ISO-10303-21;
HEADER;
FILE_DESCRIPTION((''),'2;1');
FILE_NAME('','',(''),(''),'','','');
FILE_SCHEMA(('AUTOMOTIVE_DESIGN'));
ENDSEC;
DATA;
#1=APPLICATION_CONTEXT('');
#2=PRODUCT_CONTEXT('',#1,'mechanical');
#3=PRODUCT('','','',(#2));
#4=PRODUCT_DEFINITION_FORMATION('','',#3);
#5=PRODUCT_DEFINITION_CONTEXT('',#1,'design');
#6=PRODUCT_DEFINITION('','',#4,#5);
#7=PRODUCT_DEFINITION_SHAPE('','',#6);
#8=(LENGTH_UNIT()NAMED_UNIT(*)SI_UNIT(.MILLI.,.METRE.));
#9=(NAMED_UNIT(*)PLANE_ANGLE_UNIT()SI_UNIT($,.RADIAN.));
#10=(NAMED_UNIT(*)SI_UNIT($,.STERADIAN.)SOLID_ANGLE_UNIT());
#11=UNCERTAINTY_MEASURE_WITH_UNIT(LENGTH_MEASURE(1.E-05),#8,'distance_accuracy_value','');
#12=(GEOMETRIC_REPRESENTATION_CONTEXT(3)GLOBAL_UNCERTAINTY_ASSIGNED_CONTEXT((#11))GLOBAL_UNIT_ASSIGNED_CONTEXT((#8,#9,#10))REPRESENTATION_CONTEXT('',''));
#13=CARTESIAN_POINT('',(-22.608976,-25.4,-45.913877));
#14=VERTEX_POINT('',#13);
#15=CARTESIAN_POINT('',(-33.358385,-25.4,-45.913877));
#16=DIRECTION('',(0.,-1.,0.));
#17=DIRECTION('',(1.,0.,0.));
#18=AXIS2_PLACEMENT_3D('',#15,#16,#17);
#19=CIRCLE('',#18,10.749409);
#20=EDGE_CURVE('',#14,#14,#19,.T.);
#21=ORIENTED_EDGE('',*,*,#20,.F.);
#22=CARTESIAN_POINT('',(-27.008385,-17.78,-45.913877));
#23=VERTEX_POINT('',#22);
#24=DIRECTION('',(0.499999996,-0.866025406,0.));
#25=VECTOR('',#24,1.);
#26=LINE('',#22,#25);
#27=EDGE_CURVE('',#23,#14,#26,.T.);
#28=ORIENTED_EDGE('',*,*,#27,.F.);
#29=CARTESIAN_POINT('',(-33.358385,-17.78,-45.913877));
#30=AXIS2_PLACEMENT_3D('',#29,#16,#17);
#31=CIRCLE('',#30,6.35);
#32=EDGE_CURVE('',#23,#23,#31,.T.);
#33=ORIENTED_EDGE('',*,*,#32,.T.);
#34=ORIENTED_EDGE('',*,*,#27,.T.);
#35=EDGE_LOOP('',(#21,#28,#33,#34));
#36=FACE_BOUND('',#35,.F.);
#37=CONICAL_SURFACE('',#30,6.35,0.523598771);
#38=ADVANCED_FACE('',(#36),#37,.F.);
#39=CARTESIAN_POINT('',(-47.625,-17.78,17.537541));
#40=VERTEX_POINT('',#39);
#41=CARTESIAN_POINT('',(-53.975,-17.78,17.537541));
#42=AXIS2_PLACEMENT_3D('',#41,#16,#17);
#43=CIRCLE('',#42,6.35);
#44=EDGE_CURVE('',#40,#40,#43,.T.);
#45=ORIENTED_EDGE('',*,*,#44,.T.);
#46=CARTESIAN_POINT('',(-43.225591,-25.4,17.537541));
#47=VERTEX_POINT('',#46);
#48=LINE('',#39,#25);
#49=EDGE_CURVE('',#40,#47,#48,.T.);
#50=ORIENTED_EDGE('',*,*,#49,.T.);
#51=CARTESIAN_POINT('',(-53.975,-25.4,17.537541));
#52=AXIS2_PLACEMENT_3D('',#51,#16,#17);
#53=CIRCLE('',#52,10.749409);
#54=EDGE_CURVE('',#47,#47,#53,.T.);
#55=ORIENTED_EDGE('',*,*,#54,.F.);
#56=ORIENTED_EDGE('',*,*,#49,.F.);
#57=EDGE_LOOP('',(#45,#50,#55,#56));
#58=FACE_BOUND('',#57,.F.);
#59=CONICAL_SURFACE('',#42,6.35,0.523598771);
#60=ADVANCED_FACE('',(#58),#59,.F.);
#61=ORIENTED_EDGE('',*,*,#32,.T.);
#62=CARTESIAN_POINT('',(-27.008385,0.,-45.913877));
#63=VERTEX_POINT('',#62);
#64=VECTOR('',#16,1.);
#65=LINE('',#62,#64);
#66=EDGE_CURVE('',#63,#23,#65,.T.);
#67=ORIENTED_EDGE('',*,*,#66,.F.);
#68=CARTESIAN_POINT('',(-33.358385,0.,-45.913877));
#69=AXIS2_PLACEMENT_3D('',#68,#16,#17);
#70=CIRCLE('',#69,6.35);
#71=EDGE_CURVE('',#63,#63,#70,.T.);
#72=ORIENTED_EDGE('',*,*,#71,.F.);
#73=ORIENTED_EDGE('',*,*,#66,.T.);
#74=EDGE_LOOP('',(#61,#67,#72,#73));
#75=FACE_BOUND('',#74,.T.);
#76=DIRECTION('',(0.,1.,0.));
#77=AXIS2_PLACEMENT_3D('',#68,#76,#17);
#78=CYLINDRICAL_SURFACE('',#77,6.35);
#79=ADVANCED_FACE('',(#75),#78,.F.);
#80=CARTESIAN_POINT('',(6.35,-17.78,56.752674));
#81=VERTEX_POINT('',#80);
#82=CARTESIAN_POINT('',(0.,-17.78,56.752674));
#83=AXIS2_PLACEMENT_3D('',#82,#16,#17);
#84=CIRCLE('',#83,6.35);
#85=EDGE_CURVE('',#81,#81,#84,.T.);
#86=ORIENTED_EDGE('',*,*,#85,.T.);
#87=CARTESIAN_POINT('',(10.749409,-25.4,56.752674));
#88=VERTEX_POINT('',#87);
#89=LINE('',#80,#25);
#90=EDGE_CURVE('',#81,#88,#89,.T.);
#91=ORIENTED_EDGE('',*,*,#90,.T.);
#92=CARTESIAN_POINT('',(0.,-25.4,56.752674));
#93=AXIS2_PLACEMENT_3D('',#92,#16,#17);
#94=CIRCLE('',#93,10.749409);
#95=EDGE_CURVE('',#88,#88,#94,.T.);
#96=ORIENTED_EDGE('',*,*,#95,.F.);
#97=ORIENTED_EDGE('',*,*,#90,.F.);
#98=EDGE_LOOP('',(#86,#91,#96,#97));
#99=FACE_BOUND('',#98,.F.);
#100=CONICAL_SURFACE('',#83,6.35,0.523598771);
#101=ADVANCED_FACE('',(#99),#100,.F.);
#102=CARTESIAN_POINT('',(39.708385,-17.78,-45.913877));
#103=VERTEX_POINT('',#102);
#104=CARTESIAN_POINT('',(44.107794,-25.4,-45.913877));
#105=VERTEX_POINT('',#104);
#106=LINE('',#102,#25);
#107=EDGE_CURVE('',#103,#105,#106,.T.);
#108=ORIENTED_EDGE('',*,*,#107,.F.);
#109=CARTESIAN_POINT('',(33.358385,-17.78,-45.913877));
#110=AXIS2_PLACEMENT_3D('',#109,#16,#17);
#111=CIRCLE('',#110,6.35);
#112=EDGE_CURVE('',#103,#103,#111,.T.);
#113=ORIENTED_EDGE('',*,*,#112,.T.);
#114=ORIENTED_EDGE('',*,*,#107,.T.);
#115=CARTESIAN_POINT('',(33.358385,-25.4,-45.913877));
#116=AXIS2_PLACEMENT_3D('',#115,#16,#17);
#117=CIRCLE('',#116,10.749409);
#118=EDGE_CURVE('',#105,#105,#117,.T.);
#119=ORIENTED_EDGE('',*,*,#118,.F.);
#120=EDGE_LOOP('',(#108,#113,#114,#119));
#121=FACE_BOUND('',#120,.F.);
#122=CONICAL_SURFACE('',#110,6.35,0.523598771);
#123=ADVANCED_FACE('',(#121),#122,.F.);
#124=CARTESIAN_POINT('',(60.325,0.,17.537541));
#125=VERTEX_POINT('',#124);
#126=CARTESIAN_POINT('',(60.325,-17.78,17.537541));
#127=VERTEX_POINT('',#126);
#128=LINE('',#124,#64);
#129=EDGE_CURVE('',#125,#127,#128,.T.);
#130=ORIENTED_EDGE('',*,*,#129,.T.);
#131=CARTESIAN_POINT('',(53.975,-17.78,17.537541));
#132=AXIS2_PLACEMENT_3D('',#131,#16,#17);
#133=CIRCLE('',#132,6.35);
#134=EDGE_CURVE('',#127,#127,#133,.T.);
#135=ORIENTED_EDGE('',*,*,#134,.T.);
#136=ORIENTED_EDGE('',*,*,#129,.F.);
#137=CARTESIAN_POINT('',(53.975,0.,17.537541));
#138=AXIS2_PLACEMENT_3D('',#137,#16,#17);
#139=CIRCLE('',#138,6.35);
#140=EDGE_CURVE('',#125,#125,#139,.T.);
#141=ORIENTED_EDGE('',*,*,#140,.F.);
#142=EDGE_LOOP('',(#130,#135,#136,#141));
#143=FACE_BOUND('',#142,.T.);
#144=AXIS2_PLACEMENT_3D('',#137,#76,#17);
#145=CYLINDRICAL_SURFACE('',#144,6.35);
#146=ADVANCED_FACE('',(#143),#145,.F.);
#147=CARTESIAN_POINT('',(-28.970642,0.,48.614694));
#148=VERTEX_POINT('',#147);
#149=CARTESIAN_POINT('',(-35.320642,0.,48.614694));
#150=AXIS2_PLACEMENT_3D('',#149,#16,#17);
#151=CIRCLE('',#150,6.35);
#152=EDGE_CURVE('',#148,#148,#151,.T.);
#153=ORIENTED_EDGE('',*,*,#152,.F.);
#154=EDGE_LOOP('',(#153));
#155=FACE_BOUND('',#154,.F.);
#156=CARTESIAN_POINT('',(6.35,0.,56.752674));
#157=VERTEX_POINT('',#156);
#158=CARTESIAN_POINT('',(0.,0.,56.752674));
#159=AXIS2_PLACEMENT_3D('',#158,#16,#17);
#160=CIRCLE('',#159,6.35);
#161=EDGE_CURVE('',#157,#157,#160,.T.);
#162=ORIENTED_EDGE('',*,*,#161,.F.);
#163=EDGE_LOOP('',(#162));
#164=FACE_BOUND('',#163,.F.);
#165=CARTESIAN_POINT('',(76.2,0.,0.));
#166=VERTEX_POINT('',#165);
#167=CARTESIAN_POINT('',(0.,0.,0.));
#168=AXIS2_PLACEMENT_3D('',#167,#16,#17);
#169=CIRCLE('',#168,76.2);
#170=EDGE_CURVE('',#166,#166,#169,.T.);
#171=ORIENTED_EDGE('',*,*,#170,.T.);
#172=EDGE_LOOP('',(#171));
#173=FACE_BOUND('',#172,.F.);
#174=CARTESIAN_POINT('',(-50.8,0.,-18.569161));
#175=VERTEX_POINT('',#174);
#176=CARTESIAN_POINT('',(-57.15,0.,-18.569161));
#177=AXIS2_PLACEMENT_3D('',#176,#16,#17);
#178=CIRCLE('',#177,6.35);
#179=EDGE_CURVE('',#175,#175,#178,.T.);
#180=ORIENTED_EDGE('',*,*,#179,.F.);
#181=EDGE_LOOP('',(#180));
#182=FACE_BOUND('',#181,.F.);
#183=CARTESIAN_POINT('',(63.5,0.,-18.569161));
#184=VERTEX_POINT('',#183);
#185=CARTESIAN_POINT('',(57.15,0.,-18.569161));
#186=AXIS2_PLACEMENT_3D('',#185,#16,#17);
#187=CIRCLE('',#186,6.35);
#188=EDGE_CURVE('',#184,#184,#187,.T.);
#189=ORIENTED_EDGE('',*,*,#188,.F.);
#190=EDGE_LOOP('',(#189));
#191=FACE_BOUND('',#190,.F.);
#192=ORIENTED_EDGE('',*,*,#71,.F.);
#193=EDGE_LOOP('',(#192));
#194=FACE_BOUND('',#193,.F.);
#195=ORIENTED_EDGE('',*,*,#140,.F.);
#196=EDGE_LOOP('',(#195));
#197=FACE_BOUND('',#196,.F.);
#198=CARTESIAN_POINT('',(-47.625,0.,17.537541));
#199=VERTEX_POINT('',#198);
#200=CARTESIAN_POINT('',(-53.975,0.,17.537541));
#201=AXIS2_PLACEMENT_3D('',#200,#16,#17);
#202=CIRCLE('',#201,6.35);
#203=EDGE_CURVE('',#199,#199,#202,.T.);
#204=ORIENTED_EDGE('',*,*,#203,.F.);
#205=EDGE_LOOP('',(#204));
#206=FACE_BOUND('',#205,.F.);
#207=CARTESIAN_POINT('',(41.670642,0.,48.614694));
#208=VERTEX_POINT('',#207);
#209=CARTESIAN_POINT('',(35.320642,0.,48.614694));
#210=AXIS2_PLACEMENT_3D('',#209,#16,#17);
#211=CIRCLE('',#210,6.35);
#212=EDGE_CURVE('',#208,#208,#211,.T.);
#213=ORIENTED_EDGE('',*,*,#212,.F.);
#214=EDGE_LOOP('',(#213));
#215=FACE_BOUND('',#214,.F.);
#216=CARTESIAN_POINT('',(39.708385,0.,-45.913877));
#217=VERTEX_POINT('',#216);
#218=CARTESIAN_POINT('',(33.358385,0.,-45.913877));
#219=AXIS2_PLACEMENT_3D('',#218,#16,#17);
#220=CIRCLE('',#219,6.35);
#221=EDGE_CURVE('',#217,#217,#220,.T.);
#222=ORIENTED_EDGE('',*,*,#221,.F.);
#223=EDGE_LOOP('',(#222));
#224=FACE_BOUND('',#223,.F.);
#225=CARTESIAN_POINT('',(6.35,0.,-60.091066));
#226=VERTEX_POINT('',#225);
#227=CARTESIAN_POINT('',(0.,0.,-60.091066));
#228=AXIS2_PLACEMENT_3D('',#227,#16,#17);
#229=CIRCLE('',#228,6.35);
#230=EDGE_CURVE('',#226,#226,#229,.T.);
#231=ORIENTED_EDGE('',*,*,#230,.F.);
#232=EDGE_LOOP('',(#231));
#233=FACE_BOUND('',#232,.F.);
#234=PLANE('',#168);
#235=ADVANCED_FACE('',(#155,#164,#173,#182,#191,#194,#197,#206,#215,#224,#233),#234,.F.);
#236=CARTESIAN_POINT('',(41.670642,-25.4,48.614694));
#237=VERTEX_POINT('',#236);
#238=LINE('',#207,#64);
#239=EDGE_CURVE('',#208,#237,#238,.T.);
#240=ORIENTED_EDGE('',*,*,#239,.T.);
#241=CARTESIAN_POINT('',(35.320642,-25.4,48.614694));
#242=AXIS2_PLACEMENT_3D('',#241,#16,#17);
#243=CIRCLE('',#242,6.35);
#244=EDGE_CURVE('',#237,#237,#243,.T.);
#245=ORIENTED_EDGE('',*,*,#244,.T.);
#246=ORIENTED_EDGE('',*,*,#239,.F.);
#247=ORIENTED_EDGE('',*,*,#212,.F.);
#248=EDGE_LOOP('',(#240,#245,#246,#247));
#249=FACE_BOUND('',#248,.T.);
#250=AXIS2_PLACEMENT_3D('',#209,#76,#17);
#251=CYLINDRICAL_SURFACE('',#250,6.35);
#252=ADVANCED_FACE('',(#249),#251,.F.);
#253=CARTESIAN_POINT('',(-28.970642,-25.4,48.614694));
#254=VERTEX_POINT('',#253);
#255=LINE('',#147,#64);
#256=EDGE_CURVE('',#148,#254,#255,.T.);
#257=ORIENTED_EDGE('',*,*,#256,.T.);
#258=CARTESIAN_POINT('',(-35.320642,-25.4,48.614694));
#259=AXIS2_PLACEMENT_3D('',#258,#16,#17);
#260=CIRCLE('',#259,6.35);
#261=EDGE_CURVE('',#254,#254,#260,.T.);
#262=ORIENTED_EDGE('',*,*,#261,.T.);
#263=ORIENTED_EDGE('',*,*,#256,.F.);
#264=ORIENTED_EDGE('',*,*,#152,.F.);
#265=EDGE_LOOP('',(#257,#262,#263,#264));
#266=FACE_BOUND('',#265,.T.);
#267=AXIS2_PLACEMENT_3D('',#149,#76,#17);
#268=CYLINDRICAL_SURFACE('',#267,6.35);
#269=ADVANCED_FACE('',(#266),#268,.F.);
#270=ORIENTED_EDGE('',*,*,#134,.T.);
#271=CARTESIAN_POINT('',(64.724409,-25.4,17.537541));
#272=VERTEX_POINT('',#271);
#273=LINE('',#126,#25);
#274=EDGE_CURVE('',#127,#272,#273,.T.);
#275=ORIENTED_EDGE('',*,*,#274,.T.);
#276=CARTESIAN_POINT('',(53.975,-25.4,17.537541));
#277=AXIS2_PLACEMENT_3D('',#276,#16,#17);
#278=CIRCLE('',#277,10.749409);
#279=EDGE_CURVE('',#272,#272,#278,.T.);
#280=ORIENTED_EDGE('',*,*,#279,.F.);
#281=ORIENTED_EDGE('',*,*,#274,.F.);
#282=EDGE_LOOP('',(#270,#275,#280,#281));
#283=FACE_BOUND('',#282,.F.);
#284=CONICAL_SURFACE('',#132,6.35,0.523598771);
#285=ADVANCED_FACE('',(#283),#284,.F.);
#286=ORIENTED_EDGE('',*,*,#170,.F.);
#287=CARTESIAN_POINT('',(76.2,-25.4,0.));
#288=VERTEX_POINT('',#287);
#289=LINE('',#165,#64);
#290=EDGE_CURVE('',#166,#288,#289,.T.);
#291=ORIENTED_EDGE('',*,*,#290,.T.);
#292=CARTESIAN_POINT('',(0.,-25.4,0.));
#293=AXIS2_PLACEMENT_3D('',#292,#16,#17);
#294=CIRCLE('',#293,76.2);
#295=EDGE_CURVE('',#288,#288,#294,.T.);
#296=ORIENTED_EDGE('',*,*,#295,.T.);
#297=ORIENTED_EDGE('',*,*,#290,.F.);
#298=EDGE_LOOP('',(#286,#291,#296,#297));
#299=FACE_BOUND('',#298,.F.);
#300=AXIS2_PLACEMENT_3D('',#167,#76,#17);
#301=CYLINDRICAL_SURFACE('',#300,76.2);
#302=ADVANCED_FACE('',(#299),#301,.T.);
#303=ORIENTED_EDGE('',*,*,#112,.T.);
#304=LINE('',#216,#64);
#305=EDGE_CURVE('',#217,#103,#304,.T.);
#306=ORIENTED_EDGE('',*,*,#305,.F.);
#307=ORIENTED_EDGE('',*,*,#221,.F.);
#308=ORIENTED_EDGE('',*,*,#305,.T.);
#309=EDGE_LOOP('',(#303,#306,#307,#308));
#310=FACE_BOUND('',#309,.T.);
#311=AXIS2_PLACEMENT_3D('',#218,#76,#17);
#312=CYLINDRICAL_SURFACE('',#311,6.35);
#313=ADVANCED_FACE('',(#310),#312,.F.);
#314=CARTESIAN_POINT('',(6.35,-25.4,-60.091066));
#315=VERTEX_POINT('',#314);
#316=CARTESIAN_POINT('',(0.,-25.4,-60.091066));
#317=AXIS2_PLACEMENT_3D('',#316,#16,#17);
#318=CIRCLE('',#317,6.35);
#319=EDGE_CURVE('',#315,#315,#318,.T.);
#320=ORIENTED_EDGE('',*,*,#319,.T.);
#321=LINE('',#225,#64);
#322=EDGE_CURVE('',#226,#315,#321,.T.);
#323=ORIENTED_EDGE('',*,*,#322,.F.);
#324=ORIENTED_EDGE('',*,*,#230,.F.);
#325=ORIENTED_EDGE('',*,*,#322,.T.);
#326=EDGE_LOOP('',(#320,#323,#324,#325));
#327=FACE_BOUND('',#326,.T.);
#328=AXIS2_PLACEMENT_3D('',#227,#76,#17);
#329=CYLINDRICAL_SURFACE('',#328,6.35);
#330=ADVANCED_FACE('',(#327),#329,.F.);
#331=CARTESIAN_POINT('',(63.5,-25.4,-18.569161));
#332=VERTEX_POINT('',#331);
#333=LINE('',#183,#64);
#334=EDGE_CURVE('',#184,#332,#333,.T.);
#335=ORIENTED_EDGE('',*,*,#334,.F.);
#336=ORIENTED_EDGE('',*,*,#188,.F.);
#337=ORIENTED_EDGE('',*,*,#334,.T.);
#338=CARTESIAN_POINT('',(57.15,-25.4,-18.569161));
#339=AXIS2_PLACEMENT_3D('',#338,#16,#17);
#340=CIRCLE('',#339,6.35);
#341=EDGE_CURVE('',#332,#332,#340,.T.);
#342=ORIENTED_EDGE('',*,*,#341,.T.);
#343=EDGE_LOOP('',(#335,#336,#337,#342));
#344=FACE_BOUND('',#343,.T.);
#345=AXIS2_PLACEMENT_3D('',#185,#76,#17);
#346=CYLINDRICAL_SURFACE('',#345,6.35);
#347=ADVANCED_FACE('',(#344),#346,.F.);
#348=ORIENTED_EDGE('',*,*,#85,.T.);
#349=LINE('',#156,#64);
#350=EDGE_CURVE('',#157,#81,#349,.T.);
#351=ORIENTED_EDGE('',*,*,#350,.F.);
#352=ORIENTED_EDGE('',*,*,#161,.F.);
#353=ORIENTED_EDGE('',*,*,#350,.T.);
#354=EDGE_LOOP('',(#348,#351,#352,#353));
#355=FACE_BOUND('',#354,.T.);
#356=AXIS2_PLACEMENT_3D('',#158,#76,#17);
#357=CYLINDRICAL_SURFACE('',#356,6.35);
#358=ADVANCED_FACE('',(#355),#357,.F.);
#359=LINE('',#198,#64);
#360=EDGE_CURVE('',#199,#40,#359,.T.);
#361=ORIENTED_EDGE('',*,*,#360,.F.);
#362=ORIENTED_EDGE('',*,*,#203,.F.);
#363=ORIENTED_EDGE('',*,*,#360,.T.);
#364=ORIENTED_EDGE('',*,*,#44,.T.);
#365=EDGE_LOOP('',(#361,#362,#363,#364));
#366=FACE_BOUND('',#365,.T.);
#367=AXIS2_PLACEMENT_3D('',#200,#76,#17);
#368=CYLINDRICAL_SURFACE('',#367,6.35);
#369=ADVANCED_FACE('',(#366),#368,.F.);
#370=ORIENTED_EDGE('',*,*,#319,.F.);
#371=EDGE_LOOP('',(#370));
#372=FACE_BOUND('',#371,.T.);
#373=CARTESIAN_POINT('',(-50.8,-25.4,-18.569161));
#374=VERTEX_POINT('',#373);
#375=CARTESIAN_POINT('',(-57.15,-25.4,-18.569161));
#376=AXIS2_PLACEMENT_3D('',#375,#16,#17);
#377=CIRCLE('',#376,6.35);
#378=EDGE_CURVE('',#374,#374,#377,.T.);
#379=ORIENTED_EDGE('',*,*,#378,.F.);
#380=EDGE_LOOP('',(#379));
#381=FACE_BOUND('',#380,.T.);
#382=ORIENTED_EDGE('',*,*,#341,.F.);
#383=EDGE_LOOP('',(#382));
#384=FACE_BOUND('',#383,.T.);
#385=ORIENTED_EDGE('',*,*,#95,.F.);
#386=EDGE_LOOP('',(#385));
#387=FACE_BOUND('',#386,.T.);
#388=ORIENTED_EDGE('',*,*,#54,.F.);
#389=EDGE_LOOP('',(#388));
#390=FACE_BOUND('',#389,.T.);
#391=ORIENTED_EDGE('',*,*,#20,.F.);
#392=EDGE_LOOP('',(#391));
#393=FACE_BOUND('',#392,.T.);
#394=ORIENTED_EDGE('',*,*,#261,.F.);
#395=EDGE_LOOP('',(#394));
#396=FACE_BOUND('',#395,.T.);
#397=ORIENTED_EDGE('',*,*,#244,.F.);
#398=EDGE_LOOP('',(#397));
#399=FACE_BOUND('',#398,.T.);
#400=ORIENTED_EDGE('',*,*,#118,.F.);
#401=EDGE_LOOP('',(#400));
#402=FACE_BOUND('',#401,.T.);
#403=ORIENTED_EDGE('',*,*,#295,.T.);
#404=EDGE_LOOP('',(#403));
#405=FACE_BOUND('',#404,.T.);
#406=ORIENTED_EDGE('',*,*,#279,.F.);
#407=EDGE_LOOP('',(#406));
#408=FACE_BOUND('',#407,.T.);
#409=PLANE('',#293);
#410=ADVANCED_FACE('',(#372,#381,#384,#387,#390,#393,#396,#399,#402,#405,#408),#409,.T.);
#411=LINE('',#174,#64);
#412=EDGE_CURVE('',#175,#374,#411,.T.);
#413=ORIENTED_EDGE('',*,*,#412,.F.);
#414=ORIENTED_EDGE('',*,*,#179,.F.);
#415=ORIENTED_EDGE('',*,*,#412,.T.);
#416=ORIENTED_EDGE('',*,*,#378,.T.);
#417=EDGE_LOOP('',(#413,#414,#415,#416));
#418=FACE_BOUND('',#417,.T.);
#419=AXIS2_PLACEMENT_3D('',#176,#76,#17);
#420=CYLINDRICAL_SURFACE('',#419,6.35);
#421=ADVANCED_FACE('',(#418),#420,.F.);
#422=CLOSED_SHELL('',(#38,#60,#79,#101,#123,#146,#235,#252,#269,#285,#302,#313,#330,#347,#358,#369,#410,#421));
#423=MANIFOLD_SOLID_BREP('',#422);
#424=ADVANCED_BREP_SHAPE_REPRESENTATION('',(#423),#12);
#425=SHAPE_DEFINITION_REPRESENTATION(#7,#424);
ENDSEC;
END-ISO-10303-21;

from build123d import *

# Parameters (mm, degrees)
F0_R     = 76.2
F0_R_2   = 6.35
F1_DEPTH = 25.4
F2_SIZE2 = 4.399409
F2_SIZE  = 7.62


with BuildPart() as f1:
    # F0 (on Front) → F1 (new body)
    with BuildSketch(Plane.XZ):
        Circle(F0_R)
        with Locations((-33.358385, -45.913877)):
            Circle(F0_R_2, mode=Mode.SUBTRACT)
        with Locations((-57.15, -18.569161)):
            Circle(F0_R_2, mode=Mode.SUBTRACT)
        with Locations((0, -60.091066)):
            Circle(F0_R_2, mode=Mode.SUBTRACT)
        with Locations((33.358385, -45.913877)):
            Circle(F0_R_2, mode=Mode.SUBTRACT)
        with Locations((57.15, -18.569161)):
            Circle(F0_R_2, mode=Mode.SUBTRACT)
        with Locations((-53.975, 17.537541)):
            Circle(F0_R_2, mode=Mode.SUBTRACT)
        with Locations((-35.320642, 48.614694)):
            Circle(F0_R_2, mode=Mode.SUBTRACT)
        with Locations((53.975, 17.537541)):
            Circle(F0_R_2, mode=Mode.SUBTRACT)
        with Locations((0, 56.752674)):
            Circle(F0_R_2, mode=Mode.SUBTRACT)
        with Locations((35.320642, 48.614694)):
            Circle(F0_R_2, mode=Mode.SUBTRACT)
    extrude(amount=F1_DEPTH)

    # F2
    f2_edges = [f1.edges().sort_by_distance(p)[0] for p in [
        (-6.35, -25.4, 56.752674),
        (47.625, -25.4, 17.537541),
        (27.008385, -25.4, -45.913877),
        (-39.708385, -25.4, -45.913877),
        (-60.325, -25.4, 17.537541),
    ]]
    chamfer(f2_edges, length=F2_SIZE, length2=F2_SIZE2)


solid = f1.part
